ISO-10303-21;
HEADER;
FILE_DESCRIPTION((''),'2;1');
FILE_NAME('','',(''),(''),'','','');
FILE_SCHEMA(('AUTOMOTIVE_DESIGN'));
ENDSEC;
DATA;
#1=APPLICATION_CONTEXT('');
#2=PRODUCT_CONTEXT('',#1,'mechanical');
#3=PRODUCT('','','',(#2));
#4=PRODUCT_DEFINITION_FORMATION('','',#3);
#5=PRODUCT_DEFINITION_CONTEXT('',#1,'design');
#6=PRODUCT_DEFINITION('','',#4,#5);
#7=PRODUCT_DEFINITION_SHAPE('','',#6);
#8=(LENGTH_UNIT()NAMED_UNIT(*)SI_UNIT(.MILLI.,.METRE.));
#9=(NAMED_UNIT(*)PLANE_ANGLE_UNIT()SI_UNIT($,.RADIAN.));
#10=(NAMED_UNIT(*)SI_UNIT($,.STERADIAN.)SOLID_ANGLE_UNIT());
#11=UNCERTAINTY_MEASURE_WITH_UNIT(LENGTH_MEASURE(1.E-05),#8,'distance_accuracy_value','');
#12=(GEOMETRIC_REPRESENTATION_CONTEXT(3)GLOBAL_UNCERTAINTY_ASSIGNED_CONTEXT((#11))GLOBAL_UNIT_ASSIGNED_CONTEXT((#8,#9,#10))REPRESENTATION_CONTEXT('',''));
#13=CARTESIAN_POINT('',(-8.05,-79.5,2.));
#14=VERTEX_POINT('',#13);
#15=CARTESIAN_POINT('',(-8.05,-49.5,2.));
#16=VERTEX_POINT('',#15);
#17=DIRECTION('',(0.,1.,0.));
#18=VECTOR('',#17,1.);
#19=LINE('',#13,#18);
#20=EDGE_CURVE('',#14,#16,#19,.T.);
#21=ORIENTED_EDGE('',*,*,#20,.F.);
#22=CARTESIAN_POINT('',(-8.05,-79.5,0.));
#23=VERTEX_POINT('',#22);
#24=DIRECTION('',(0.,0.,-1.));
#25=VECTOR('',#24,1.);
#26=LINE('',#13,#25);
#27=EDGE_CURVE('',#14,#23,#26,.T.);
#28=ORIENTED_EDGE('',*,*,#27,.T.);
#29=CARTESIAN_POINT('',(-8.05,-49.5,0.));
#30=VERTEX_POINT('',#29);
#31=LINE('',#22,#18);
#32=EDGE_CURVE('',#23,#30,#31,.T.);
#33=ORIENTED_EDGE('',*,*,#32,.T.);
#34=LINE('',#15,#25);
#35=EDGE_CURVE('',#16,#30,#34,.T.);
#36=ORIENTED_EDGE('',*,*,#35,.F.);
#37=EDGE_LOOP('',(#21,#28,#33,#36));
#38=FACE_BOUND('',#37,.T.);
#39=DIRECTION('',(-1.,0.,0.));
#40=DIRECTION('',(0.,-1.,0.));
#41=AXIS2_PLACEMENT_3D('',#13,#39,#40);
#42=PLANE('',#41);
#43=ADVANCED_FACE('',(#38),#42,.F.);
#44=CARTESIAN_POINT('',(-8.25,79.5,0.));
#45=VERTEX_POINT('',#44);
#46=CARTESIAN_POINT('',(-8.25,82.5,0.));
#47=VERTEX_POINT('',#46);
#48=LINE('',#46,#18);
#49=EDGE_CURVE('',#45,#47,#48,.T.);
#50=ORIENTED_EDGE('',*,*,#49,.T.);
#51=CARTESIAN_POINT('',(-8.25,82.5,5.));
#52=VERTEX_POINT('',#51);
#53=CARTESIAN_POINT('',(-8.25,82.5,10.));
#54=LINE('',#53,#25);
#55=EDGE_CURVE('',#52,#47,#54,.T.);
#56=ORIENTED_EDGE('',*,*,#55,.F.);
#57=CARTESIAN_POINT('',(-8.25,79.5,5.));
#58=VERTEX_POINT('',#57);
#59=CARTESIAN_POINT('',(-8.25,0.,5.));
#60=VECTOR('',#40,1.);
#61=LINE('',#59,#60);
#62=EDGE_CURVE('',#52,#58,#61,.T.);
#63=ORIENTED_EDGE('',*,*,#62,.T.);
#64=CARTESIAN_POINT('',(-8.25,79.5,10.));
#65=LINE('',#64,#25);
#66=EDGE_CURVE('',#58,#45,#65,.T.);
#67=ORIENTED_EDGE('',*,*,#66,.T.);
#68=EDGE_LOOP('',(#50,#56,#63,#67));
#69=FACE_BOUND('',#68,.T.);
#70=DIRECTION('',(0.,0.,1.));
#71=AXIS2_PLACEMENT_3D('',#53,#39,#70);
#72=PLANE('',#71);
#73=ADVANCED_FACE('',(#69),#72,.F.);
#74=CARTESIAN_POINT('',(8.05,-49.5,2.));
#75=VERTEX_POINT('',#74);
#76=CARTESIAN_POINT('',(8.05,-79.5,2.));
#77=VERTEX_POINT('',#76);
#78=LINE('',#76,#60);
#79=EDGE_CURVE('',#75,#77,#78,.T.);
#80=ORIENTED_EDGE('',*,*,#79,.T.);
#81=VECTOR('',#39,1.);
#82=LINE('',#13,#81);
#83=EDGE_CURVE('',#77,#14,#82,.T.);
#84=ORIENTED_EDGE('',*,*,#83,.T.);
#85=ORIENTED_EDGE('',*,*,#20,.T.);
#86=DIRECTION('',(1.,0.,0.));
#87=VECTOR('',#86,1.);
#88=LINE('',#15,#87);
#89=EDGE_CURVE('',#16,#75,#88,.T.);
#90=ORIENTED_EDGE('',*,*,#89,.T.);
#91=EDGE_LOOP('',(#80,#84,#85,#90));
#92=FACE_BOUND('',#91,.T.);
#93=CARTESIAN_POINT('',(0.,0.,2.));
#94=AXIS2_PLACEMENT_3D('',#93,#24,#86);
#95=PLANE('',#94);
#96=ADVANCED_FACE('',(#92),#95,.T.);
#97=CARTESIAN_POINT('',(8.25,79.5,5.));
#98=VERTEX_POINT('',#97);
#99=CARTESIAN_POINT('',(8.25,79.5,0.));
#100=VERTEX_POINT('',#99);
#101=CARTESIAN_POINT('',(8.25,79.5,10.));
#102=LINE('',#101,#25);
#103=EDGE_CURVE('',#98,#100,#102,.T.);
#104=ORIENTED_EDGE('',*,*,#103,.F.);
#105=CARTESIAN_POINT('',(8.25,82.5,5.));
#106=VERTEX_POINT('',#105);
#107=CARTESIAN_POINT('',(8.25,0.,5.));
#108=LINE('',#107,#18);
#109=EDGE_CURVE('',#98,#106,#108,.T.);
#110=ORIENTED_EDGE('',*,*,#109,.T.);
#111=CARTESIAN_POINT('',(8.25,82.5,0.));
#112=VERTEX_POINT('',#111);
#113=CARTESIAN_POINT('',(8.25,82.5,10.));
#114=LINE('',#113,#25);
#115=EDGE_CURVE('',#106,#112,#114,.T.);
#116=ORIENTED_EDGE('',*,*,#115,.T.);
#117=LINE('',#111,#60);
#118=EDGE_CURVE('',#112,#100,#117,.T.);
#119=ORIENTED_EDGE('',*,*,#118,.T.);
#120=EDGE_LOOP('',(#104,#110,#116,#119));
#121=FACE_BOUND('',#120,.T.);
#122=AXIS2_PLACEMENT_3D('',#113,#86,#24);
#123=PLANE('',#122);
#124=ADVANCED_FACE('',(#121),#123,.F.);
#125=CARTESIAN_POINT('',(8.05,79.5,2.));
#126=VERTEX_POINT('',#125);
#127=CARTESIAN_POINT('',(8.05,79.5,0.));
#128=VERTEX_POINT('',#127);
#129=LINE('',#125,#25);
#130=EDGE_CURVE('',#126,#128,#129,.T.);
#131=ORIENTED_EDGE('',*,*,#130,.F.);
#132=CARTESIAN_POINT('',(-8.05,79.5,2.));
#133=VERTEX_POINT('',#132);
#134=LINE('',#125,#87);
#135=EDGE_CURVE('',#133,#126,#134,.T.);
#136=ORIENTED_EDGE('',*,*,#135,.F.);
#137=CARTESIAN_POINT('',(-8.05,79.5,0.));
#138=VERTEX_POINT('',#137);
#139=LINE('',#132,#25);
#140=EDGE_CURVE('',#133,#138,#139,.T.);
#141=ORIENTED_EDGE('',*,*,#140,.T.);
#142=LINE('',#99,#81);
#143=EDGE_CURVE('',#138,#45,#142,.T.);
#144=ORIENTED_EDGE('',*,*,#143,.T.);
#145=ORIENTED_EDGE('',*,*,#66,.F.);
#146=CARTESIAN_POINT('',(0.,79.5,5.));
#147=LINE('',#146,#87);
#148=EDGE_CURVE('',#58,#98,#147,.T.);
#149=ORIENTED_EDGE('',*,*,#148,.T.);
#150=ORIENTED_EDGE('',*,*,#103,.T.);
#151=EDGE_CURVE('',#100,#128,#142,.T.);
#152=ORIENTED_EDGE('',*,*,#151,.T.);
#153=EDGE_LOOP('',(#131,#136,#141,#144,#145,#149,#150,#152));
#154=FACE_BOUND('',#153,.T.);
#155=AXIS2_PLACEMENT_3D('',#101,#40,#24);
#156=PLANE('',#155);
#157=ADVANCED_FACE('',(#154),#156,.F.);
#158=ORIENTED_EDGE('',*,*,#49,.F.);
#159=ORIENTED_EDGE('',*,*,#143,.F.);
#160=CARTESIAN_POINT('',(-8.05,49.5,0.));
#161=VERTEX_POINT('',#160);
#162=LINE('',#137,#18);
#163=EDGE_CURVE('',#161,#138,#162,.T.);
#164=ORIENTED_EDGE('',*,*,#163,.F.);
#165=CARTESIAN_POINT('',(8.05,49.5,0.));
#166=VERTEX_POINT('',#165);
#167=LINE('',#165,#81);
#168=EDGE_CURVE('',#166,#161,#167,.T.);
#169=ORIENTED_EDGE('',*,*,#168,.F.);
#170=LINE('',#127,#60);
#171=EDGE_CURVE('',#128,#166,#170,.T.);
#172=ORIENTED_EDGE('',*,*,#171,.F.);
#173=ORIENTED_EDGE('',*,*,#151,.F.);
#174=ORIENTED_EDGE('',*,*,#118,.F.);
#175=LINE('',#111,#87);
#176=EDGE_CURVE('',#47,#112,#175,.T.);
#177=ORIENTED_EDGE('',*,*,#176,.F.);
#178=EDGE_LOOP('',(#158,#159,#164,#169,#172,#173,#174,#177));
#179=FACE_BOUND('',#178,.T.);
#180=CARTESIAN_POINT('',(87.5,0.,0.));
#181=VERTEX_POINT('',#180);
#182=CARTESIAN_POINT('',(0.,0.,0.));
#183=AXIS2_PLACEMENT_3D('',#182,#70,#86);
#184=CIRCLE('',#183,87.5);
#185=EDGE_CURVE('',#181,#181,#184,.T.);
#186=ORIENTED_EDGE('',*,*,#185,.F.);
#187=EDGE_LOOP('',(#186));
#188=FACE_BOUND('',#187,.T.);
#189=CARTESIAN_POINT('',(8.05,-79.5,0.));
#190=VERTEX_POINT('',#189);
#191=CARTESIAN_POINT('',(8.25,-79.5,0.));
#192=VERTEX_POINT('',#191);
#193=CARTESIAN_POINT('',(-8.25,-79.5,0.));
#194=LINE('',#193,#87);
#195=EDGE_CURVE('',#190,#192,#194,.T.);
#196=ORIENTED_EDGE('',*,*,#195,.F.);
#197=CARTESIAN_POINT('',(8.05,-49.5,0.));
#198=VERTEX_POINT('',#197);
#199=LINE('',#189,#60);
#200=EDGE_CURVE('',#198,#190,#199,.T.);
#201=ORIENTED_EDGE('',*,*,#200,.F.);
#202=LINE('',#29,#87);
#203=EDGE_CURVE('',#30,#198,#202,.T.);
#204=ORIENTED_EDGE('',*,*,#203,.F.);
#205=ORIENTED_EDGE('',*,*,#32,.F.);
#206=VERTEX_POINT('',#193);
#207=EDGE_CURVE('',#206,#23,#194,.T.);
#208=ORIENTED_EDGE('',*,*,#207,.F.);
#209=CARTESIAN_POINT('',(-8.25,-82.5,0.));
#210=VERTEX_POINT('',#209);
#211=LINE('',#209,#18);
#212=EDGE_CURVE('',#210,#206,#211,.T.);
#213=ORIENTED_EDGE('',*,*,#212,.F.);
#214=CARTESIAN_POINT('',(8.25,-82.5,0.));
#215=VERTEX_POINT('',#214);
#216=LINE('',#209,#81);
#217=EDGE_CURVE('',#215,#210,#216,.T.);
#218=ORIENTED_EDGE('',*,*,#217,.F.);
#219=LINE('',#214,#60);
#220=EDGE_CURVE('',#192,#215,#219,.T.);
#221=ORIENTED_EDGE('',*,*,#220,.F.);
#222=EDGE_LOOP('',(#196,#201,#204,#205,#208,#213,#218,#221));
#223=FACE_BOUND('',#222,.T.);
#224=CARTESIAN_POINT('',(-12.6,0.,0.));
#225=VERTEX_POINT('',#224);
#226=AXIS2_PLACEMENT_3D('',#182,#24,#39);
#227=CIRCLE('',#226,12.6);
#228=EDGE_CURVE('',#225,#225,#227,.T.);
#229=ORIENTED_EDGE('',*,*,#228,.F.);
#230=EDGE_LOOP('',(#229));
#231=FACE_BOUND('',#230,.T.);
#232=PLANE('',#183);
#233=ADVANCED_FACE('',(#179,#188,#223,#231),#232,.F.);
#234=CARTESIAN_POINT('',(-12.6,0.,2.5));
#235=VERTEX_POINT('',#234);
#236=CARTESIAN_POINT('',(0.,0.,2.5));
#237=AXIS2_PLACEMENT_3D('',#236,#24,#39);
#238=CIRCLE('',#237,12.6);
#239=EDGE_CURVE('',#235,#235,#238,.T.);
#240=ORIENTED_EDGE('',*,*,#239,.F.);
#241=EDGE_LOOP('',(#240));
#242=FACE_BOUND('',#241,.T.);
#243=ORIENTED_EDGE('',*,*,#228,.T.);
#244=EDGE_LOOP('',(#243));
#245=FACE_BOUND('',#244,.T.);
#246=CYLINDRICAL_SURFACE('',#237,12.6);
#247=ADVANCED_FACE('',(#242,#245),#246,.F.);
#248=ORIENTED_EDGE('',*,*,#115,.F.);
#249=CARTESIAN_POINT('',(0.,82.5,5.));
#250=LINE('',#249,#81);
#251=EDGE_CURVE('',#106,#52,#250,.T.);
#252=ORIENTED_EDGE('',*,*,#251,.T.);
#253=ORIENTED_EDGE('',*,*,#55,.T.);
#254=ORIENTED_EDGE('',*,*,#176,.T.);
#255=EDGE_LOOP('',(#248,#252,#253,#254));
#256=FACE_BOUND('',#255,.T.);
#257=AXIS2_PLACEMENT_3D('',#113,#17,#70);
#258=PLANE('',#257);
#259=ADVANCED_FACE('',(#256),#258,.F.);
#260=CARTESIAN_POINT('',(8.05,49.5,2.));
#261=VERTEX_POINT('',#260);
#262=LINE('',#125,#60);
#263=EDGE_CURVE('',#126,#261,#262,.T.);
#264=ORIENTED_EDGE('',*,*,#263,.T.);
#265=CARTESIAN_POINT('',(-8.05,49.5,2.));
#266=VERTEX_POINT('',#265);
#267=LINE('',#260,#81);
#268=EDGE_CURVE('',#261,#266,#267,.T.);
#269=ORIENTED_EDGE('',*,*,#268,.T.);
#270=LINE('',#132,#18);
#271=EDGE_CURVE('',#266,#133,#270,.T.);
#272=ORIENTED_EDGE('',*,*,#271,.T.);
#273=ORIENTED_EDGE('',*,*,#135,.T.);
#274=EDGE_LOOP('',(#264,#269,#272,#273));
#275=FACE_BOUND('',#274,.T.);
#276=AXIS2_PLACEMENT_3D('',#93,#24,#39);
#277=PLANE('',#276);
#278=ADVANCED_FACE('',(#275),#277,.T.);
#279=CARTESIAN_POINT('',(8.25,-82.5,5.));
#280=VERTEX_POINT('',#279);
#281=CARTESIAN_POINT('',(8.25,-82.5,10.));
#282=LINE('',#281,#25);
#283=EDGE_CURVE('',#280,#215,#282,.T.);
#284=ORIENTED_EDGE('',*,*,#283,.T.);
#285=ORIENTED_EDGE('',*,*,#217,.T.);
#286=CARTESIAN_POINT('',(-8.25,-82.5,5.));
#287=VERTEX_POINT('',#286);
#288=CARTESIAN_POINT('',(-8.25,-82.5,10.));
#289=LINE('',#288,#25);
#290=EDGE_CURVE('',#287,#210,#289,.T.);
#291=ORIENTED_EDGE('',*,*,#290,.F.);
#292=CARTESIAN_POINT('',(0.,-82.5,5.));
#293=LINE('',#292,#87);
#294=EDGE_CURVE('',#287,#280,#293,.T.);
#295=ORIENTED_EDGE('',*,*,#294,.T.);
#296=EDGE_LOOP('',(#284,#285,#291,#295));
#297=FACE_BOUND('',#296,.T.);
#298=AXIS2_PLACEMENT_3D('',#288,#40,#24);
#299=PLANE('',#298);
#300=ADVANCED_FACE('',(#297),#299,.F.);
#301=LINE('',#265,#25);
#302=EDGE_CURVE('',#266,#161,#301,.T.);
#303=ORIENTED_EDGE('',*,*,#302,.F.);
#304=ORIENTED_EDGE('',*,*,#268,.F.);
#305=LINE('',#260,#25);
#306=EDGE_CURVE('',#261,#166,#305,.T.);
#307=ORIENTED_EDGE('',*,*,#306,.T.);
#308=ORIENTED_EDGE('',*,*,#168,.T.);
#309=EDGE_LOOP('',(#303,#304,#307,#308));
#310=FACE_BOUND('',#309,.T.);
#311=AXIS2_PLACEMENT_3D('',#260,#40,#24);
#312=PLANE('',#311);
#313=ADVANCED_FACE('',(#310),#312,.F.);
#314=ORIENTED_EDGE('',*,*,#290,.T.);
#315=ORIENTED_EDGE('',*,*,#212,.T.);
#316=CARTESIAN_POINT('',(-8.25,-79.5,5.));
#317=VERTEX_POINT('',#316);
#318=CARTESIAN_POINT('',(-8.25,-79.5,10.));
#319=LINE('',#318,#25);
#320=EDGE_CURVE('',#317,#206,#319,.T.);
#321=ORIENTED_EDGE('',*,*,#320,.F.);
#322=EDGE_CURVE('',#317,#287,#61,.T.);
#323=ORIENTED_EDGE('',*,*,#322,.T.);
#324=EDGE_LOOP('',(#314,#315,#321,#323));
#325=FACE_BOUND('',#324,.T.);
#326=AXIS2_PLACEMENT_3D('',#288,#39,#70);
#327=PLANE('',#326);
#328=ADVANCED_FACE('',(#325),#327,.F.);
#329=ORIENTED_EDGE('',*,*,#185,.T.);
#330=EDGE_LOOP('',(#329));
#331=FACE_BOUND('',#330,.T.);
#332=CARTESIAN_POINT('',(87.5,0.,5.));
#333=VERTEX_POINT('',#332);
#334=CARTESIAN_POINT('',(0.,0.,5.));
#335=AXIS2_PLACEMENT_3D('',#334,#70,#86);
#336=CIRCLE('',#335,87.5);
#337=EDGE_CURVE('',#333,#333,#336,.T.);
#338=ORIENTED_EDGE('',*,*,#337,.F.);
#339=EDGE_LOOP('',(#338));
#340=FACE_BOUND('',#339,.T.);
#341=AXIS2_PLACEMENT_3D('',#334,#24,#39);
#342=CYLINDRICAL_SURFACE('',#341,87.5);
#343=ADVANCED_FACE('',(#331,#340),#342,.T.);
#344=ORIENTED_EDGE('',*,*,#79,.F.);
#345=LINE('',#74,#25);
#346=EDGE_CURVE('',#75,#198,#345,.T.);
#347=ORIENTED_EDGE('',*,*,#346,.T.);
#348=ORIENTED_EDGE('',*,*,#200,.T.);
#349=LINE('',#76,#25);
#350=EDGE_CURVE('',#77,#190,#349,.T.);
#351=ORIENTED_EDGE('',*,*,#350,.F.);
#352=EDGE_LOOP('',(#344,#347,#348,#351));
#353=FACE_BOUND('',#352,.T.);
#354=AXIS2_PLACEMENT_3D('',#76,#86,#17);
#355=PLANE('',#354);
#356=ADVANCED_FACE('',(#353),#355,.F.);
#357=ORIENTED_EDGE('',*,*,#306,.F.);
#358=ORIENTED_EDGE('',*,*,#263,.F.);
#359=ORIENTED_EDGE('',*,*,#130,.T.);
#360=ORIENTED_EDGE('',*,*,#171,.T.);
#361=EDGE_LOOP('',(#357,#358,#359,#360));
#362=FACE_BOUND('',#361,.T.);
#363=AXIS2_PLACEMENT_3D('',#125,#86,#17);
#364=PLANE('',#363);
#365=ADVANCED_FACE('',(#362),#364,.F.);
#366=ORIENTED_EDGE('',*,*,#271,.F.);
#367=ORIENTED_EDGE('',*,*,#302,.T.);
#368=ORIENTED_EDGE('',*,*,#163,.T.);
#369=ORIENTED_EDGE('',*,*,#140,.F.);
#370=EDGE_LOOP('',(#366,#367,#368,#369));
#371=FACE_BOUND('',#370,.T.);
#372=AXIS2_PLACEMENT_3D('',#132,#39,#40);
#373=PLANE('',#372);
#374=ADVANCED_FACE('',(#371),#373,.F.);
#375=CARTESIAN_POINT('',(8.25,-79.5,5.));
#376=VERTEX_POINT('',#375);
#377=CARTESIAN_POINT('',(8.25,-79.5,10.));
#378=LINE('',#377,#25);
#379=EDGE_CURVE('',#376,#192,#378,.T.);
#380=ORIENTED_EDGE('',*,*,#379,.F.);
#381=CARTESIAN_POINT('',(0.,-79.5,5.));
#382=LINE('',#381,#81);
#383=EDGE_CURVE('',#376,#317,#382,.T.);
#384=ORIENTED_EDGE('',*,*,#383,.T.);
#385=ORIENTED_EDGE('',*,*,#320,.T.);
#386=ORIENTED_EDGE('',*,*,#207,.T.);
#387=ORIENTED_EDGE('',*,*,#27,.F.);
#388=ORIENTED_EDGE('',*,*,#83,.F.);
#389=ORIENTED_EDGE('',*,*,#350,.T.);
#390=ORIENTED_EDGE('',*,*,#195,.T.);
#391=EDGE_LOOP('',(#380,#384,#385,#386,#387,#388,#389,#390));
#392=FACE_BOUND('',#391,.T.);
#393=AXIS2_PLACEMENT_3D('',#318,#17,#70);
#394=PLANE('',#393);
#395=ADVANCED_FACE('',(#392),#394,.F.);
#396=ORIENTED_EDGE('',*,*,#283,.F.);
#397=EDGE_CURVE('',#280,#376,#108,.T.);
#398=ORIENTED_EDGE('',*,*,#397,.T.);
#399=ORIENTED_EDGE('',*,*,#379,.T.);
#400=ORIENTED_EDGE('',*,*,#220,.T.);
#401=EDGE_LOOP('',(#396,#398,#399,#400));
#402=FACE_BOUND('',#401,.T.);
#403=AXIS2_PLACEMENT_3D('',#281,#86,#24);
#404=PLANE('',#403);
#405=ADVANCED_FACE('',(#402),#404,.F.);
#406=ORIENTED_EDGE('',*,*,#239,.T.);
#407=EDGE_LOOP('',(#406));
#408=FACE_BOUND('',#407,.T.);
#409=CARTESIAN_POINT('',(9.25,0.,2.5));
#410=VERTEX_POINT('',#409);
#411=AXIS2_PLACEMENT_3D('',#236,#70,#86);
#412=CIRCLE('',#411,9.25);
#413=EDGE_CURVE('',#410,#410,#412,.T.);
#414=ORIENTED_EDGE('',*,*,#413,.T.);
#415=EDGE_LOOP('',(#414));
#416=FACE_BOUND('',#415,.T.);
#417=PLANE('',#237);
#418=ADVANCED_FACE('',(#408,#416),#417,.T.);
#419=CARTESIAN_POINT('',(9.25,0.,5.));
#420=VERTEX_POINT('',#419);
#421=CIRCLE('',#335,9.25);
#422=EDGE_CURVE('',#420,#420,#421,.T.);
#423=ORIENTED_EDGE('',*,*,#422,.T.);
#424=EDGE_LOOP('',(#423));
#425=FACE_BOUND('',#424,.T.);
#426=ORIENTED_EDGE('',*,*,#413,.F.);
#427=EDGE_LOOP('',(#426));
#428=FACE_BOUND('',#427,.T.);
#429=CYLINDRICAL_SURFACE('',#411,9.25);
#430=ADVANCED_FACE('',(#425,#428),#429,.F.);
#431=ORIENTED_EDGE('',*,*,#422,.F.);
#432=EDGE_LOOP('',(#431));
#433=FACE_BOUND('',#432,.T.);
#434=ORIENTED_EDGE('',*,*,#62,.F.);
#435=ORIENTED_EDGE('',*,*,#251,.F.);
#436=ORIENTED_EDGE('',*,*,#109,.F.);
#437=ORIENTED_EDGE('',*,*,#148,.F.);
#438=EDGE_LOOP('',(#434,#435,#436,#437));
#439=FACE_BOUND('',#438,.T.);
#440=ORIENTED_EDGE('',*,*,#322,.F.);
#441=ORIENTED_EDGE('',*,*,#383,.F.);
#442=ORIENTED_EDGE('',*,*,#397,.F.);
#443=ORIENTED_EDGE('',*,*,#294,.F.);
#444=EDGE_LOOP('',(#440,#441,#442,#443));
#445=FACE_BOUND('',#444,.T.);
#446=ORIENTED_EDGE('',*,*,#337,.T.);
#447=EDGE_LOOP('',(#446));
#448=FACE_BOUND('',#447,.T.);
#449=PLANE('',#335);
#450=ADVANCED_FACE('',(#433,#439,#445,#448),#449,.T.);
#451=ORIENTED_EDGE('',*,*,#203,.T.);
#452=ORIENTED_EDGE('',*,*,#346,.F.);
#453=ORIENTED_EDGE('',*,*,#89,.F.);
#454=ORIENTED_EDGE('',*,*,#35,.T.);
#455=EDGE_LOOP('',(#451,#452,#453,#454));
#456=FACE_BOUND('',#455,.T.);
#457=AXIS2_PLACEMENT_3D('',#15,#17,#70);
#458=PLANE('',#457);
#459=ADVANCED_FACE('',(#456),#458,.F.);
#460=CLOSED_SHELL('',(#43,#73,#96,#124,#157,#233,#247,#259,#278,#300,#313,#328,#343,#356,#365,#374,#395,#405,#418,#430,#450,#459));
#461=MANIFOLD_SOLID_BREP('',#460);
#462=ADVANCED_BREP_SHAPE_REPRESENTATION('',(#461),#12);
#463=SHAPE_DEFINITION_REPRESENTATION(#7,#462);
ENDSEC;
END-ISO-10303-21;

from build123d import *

# Parameters (mm, degrees)
SKETCH_1_R               = 87.5
EXTRUDE_1_DEPTH          = 5
SKETCH_7_W               = 16.5
SKETCH_7_H               = 3
CUT_EXTRUDE_3_DEPTH      = 10
PATTERN_CIRCULAR_1_COUNT = 2
SKETCH_8_W               = 16.1
SKETCH_8_H               = 30
CUT_EXTRUDE_4_DEPTH      = 2
PATTERN_CIRCULAR_2_COUNT = 2
SKETCH_9_R               = 9.25
CUT_EXTRUDE_5_DEPTH      = 2.5
SKETCH_10_R              = 12.6
CUT_EXTRUDE_6_DEPTH      = 2.5


with BuildPart() as part:
    # 草图1 → 凸台-拉伸1 (new body)
    with BuildSketch(Plane.XY):
        Circle(SKETCH_1_R)
    extrude(amount=EXTRUDE_1_DEPTH)

    # 草图7 → 切除-拉伸3 (cut)
    with BuildSketch(Plane(origin=(0, 0, 0), x_dir=(-1, 0, 0), z_dir=(0, 0, -1))):
        with Locations((0, 81)):
            Rectangle(SKETCH_7_W, SKETCH_7_H)
    cut_extrude_3 = extrude(amount=-CUT_EXTRUDE_3_DEPTH, mode=Mode.SUBTRACT)

    # 阵列(圆周)1: 切除-拉伸3 ×2 about axis
    pattern_circular_1_axis = Axis((0, 0, 0), (0, 0, 1))
    for i in range(1, PATTERN_CIRCULAR_1_COUNT):
        add(cut_extrude_3.rotate(pattern_circular_1_axis, i * 360 / PATTERN_CIRCULAR_1_COUNT), mode=Mode.SUBTRACT)

    # 草图8 → 切除-拉伸4 (cut)
    with BuildSketch(Plane(origin=(0, 0, 0), x_dir=(-1, 0, 0), z_dir=(0, 0, -1))):
        with Locations((0, 64.5)):
            Rectangle(SKETCH_8_W, SKETCH_8_H)
    cut_extrude_4 = extrude(amount=-CUT_EXTRUDE_4_DEPTH, mode=Mode.SUBTRACT)

    # 阵列(圆周)2: 切除-拉伸4 ×2 about axis
    pattern_circular_2_axis = Axis((0, 0, 0), (0, 0, 1))
    for i in range(1, PATTERN_CIRCULAR_2_COUNT):
        add(cut_extrude_4.rotate(pattern_circular_2_axis, i * 360 / PATTERN_CIRCULAR_2_COUNT), mode=Mode.SUBTRACT)

    # 草图9 → 切除-拉伸5 (cut)
    with BuildSketch(Plane.XY.offset(5)):
        Circle(SKETCH_9_R)
    extrude(amount=-CUT_EXTRUDE_5_DEPTH, mode=Mode.SUBTRACT)

    # 草图10 → 切除-拉伸6 (cut)
    with BuildSketch(Plane(origin=(0, 0, 0), x_dir=(-1, 0, 0), z_dir=(0, 0, -1))):
        Circle(SKETCH_10_R)
    extrude(amount=-CUT_EXTRUDE_6_DEPTH, mode=Mode.SUBTRACT)


solid = part.part
